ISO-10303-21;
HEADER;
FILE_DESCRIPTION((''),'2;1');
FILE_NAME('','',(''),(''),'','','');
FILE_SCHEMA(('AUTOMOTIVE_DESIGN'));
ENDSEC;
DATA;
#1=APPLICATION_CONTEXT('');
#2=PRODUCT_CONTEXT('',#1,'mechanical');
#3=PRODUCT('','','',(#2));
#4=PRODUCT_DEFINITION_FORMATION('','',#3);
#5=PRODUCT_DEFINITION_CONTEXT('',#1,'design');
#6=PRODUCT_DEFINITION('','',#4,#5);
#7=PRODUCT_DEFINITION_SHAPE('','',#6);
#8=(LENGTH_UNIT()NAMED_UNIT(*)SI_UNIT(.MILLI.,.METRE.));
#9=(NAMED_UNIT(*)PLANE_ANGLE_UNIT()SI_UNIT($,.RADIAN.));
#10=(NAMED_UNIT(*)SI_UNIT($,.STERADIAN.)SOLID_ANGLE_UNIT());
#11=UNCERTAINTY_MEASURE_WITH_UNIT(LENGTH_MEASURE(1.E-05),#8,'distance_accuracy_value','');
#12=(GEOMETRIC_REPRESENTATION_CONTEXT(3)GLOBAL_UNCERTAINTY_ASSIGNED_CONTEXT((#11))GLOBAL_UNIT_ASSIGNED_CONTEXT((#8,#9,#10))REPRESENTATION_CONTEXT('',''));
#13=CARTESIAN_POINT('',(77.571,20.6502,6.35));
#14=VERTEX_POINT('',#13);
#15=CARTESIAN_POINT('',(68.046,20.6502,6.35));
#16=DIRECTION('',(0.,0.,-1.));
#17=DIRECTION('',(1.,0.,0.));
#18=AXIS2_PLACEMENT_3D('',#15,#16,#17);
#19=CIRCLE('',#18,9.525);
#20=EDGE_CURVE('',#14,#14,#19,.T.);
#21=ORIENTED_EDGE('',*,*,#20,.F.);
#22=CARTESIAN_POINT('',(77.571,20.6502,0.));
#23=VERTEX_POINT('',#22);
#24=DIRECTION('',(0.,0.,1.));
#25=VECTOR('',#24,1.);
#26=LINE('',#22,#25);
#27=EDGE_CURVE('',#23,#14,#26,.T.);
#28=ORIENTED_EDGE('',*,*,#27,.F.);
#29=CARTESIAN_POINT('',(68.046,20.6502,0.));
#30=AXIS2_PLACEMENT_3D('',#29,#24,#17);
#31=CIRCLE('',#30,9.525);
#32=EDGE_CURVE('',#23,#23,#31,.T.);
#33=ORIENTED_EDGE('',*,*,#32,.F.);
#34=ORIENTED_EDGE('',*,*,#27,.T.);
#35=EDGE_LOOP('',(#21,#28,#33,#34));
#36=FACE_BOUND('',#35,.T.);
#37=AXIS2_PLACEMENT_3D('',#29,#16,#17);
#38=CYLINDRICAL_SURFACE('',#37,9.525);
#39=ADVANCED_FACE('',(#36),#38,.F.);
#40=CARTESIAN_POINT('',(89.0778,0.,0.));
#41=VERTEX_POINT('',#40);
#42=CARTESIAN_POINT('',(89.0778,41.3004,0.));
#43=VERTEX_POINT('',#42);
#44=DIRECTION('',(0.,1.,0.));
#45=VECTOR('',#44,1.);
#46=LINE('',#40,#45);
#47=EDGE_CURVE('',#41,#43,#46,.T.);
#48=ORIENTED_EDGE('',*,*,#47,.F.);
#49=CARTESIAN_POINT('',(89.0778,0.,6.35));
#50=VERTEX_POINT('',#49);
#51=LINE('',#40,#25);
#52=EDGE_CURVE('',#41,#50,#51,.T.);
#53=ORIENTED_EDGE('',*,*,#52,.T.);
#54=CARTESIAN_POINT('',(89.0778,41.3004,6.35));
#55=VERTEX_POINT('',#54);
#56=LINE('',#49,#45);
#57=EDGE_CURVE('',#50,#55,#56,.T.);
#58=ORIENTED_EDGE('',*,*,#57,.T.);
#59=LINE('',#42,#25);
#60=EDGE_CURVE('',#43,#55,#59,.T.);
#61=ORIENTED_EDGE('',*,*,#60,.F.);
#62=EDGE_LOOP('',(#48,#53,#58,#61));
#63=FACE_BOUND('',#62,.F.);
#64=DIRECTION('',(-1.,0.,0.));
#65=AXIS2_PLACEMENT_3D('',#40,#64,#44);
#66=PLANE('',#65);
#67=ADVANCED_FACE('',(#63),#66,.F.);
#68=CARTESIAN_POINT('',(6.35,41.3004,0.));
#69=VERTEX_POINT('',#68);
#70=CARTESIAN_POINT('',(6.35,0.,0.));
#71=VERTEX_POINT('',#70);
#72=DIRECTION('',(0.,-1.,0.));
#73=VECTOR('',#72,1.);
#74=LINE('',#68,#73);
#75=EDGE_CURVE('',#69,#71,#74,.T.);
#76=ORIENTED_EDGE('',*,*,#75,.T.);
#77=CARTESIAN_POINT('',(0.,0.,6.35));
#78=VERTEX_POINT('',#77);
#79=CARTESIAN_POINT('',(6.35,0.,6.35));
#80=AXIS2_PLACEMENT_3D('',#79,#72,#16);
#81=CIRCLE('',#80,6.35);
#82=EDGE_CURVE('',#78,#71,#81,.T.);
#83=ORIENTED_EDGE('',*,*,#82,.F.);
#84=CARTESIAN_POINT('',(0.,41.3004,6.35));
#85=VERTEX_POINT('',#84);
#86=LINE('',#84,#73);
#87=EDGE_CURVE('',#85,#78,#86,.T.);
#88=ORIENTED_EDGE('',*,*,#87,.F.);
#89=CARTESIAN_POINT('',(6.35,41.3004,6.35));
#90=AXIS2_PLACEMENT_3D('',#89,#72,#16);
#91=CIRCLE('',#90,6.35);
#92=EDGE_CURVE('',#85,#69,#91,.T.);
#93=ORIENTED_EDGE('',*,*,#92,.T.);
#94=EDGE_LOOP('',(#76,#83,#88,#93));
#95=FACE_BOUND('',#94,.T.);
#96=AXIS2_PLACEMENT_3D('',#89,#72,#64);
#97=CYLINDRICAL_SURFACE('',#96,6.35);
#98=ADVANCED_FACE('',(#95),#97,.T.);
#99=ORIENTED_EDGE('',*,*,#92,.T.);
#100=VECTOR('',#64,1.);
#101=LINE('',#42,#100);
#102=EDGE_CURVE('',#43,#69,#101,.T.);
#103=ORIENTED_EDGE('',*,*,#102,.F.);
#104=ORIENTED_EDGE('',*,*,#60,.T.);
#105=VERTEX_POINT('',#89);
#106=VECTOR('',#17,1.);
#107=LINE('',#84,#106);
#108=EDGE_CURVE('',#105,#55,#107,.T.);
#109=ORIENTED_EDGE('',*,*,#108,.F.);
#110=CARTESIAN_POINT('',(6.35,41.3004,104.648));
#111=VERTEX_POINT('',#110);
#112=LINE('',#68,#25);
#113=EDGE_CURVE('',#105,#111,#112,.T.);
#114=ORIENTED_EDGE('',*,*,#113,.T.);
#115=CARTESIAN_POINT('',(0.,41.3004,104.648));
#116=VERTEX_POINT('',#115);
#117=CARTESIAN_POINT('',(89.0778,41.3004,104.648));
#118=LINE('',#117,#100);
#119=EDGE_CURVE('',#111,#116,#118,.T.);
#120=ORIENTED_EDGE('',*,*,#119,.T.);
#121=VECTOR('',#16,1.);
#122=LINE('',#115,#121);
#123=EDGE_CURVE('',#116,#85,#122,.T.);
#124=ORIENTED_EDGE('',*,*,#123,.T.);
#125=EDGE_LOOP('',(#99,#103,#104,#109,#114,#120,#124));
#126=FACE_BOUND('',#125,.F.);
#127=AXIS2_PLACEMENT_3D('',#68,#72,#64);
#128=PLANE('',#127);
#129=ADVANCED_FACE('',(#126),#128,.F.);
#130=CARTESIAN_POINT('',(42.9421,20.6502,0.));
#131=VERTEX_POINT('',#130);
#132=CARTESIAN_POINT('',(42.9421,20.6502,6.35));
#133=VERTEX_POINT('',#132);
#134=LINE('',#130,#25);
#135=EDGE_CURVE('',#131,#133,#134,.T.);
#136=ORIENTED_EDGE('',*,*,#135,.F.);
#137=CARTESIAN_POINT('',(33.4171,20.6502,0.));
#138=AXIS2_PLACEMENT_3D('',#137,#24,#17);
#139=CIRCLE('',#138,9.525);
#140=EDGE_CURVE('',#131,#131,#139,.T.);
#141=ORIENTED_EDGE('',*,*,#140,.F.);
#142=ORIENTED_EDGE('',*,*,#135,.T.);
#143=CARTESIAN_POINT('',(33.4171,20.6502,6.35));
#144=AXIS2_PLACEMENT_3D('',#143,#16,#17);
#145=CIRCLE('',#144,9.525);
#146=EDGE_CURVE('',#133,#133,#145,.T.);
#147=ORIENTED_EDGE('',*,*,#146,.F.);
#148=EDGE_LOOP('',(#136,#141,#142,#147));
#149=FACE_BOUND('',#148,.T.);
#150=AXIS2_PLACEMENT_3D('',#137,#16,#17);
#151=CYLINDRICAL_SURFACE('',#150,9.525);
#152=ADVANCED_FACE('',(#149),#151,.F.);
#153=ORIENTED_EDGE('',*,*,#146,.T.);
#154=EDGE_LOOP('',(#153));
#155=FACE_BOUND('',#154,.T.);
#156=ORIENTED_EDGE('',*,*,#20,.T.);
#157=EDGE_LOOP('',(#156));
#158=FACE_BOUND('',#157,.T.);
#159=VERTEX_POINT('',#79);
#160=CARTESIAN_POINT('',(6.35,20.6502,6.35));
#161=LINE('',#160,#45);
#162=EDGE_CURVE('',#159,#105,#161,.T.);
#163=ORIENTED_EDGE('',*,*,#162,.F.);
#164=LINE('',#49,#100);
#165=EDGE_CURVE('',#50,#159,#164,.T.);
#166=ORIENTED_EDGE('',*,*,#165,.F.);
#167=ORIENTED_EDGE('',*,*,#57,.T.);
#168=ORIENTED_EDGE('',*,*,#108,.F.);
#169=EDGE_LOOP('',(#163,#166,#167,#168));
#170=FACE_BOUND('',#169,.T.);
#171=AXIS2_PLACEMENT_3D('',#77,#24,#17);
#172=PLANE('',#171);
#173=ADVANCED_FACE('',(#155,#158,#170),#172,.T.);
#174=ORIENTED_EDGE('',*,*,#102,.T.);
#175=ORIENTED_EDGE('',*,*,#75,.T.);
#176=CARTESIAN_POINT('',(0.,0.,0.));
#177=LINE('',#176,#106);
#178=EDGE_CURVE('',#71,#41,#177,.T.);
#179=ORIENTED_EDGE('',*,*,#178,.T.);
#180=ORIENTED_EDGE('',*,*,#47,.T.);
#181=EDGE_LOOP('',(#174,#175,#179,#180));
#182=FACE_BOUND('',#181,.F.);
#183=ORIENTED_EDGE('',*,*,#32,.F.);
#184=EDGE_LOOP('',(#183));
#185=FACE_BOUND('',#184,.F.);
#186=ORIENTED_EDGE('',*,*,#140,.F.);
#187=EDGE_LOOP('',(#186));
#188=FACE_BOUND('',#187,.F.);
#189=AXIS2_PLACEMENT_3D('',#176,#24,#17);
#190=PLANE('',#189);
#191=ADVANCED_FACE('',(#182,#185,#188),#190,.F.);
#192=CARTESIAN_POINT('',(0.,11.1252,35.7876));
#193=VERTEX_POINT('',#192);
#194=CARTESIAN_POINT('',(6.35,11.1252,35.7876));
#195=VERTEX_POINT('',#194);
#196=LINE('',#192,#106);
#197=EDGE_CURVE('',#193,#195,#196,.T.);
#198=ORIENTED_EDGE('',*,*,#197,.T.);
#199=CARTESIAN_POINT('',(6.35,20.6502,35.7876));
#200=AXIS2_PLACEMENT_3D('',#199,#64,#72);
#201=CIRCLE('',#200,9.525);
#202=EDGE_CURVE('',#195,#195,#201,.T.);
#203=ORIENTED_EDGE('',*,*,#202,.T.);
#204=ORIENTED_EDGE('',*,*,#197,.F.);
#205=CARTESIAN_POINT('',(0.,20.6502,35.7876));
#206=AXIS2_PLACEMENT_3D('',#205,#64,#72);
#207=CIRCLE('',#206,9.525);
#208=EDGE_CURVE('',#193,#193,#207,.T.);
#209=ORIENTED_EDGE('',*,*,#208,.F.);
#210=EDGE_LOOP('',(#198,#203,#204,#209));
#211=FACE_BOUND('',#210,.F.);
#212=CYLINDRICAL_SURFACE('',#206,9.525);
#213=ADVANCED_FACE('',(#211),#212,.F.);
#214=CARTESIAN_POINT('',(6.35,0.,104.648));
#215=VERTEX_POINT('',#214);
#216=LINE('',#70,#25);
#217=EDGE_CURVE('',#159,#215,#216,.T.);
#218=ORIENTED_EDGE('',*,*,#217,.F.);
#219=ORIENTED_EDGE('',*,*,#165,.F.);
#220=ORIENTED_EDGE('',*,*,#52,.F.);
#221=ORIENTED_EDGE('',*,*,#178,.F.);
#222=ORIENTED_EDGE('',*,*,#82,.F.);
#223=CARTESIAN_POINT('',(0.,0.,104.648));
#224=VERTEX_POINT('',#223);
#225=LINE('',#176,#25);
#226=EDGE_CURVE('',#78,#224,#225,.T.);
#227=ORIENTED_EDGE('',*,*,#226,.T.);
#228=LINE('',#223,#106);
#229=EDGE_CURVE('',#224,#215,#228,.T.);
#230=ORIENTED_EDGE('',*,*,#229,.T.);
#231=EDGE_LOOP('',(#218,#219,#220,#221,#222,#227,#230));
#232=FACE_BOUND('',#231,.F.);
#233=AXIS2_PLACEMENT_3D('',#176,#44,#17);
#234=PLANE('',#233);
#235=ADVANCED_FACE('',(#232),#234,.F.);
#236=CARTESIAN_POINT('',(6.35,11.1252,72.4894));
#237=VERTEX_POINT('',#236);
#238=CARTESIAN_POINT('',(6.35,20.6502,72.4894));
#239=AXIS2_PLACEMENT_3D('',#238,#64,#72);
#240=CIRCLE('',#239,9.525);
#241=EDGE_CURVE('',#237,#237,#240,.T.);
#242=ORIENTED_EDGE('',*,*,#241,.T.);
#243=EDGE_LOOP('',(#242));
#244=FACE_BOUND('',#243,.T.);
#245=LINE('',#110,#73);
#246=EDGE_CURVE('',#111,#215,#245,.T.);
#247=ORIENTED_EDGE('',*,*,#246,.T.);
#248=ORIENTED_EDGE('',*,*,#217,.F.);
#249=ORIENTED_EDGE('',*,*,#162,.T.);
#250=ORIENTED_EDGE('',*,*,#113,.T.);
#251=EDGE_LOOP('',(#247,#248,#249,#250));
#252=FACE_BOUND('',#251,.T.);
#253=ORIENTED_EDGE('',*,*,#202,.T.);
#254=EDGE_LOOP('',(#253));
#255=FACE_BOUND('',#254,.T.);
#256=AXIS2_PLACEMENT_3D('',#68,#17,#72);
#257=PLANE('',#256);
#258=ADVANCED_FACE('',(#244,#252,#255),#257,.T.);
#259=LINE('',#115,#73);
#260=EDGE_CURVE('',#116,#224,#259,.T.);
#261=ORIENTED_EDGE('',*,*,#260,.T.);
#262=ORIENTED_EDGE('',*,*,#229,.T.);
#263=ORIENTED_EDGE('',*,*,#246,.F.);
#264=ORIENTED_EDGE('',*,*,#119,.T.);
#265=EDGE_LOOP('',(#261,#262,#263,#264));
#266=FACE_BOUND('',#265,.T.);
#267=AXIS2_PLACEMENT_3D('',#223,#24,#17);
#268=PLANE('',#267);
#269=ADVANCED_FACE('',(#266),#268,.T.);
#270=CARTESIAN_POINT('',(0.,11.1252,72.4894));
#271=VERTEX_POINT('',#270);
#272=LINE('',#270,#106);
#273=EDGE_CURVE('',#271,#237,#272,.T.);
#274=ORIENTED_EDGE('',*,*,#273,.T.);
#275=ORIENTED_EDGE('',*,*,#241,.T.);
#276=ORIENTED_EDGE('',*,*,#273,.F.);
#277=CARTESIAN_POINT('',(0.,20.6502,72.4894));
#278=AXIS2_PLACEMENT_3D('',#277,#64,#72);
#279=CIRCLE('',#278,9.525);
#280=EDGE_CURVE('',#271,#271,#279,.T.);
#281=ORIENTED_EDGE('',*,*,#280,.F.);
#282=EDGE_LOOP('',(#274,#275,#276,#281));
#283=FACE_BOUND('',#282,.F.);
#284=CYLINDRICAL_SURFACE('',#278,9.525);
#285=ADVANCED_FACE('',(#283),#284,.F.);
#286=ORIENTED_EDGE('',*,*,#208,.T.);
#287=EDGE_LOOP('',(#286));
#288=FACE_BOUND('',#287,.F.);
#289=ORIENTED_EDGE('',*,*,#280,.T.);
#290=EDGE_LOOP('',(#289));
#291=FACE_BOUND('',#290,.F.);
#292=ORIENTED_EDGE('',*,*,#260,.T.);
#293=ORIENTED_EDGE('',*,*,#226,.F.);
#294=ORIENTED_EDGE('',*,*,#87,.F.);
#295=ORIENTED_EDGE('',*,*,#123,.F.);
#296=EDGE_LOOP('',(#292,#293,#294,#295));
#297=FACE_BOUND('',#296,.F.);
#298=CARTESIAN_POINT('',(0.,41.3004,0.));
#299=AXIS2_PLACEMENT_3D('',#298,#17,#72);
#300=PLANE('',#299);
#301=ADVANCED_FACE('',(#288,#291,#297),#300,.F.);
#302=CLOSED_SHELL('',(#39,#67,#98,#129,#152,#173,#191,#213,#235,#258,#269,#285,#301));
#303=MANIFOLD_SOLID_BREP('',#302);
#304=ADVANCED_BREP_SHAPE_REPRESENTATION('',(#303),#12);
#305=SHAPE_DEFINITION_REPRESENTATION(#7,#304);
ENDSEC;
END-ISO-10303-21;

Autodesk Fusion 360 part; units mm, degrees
sketch "Sketch1" plane through (0, 0, 0) normal (0, 0, 1) x (1, 0, 0)
  line L0 (0, 0) -> (89.0778, 0)
  line L1 (89.0778, 0) -> (89.0778, 41.3004)
  line L2 (89.0778, 41.3004) -> (0, 41.3004)
  line L3 (0, 41.3004) -> (0, 0)
  line L4 (0, 41.3004) -> (6.35, 41.3004)
  line L5 (6.35, 41.3004) -> (6.35, 0)
  line L6 (6.35, 0) -> (0, 0)
  line L7 (0, 0) -> (0, 41.3004)
  circle A0 centre (33.4171, 20.6502) radius 9.525
  circle A1 centre (68.046, 20.6502) radius 9.525
  point P0 (50.7316, 20.6502)
  dimension "d1" = 89.0778
  dimension "d2" = 41.3004
  dimension "d7" = 6.35
  dimension "d12" = 19.05
  dimension "d19" = 17.3145
  dimension "d20" = 17.3145
extrude "Extrude1" add sketch "Sketch1" along normal blind 6.35 contours L0 L2 L3 L4 L5 L6 L7 | L0 L1 L2 L5 | A0 | A1
extrude "Extrude2" add sketch "Sketch1" along normal blind 104.648 contours L0 L2 L3 L4 L5 L6 L7
fillet "Fillet1" radius 6.35 1 edges at (0, 20.6502, 0)
extrude "Extrude3" cut sketch "Sketch1" along normal blind 129.54 contours A0 | A1
sketch "Sketch2" plane through (0, 0, 0) normal (-1, 0, 0) x (0, -1, 0)
  line L0 (-41.3004, 6.35) -> (0, 6.35)
  line L1 (0, 6.35) -> (0, 104.648)
  line L2 (0, 104.648) -> (-41.3004, 104.648)
  line L3 (-41.3004, 104.648) -> (-41.3004, 6.35)
  line L4 (-20.6502, 104.648) -> (-20.6502, 6.35) construction
  circle A0 centre (-20.6502, 72.4894) radius 9.525
  circle A1 centre (-20.6502, 35.7876) radius 9.525
  dimension "d15" = 19.05
  dimension "d16" = 19.05
extrude "Extrude4" cut sketch "Sketch2" against normal blind 182.88 contours A0 | A1
equation "d20 = d19"
